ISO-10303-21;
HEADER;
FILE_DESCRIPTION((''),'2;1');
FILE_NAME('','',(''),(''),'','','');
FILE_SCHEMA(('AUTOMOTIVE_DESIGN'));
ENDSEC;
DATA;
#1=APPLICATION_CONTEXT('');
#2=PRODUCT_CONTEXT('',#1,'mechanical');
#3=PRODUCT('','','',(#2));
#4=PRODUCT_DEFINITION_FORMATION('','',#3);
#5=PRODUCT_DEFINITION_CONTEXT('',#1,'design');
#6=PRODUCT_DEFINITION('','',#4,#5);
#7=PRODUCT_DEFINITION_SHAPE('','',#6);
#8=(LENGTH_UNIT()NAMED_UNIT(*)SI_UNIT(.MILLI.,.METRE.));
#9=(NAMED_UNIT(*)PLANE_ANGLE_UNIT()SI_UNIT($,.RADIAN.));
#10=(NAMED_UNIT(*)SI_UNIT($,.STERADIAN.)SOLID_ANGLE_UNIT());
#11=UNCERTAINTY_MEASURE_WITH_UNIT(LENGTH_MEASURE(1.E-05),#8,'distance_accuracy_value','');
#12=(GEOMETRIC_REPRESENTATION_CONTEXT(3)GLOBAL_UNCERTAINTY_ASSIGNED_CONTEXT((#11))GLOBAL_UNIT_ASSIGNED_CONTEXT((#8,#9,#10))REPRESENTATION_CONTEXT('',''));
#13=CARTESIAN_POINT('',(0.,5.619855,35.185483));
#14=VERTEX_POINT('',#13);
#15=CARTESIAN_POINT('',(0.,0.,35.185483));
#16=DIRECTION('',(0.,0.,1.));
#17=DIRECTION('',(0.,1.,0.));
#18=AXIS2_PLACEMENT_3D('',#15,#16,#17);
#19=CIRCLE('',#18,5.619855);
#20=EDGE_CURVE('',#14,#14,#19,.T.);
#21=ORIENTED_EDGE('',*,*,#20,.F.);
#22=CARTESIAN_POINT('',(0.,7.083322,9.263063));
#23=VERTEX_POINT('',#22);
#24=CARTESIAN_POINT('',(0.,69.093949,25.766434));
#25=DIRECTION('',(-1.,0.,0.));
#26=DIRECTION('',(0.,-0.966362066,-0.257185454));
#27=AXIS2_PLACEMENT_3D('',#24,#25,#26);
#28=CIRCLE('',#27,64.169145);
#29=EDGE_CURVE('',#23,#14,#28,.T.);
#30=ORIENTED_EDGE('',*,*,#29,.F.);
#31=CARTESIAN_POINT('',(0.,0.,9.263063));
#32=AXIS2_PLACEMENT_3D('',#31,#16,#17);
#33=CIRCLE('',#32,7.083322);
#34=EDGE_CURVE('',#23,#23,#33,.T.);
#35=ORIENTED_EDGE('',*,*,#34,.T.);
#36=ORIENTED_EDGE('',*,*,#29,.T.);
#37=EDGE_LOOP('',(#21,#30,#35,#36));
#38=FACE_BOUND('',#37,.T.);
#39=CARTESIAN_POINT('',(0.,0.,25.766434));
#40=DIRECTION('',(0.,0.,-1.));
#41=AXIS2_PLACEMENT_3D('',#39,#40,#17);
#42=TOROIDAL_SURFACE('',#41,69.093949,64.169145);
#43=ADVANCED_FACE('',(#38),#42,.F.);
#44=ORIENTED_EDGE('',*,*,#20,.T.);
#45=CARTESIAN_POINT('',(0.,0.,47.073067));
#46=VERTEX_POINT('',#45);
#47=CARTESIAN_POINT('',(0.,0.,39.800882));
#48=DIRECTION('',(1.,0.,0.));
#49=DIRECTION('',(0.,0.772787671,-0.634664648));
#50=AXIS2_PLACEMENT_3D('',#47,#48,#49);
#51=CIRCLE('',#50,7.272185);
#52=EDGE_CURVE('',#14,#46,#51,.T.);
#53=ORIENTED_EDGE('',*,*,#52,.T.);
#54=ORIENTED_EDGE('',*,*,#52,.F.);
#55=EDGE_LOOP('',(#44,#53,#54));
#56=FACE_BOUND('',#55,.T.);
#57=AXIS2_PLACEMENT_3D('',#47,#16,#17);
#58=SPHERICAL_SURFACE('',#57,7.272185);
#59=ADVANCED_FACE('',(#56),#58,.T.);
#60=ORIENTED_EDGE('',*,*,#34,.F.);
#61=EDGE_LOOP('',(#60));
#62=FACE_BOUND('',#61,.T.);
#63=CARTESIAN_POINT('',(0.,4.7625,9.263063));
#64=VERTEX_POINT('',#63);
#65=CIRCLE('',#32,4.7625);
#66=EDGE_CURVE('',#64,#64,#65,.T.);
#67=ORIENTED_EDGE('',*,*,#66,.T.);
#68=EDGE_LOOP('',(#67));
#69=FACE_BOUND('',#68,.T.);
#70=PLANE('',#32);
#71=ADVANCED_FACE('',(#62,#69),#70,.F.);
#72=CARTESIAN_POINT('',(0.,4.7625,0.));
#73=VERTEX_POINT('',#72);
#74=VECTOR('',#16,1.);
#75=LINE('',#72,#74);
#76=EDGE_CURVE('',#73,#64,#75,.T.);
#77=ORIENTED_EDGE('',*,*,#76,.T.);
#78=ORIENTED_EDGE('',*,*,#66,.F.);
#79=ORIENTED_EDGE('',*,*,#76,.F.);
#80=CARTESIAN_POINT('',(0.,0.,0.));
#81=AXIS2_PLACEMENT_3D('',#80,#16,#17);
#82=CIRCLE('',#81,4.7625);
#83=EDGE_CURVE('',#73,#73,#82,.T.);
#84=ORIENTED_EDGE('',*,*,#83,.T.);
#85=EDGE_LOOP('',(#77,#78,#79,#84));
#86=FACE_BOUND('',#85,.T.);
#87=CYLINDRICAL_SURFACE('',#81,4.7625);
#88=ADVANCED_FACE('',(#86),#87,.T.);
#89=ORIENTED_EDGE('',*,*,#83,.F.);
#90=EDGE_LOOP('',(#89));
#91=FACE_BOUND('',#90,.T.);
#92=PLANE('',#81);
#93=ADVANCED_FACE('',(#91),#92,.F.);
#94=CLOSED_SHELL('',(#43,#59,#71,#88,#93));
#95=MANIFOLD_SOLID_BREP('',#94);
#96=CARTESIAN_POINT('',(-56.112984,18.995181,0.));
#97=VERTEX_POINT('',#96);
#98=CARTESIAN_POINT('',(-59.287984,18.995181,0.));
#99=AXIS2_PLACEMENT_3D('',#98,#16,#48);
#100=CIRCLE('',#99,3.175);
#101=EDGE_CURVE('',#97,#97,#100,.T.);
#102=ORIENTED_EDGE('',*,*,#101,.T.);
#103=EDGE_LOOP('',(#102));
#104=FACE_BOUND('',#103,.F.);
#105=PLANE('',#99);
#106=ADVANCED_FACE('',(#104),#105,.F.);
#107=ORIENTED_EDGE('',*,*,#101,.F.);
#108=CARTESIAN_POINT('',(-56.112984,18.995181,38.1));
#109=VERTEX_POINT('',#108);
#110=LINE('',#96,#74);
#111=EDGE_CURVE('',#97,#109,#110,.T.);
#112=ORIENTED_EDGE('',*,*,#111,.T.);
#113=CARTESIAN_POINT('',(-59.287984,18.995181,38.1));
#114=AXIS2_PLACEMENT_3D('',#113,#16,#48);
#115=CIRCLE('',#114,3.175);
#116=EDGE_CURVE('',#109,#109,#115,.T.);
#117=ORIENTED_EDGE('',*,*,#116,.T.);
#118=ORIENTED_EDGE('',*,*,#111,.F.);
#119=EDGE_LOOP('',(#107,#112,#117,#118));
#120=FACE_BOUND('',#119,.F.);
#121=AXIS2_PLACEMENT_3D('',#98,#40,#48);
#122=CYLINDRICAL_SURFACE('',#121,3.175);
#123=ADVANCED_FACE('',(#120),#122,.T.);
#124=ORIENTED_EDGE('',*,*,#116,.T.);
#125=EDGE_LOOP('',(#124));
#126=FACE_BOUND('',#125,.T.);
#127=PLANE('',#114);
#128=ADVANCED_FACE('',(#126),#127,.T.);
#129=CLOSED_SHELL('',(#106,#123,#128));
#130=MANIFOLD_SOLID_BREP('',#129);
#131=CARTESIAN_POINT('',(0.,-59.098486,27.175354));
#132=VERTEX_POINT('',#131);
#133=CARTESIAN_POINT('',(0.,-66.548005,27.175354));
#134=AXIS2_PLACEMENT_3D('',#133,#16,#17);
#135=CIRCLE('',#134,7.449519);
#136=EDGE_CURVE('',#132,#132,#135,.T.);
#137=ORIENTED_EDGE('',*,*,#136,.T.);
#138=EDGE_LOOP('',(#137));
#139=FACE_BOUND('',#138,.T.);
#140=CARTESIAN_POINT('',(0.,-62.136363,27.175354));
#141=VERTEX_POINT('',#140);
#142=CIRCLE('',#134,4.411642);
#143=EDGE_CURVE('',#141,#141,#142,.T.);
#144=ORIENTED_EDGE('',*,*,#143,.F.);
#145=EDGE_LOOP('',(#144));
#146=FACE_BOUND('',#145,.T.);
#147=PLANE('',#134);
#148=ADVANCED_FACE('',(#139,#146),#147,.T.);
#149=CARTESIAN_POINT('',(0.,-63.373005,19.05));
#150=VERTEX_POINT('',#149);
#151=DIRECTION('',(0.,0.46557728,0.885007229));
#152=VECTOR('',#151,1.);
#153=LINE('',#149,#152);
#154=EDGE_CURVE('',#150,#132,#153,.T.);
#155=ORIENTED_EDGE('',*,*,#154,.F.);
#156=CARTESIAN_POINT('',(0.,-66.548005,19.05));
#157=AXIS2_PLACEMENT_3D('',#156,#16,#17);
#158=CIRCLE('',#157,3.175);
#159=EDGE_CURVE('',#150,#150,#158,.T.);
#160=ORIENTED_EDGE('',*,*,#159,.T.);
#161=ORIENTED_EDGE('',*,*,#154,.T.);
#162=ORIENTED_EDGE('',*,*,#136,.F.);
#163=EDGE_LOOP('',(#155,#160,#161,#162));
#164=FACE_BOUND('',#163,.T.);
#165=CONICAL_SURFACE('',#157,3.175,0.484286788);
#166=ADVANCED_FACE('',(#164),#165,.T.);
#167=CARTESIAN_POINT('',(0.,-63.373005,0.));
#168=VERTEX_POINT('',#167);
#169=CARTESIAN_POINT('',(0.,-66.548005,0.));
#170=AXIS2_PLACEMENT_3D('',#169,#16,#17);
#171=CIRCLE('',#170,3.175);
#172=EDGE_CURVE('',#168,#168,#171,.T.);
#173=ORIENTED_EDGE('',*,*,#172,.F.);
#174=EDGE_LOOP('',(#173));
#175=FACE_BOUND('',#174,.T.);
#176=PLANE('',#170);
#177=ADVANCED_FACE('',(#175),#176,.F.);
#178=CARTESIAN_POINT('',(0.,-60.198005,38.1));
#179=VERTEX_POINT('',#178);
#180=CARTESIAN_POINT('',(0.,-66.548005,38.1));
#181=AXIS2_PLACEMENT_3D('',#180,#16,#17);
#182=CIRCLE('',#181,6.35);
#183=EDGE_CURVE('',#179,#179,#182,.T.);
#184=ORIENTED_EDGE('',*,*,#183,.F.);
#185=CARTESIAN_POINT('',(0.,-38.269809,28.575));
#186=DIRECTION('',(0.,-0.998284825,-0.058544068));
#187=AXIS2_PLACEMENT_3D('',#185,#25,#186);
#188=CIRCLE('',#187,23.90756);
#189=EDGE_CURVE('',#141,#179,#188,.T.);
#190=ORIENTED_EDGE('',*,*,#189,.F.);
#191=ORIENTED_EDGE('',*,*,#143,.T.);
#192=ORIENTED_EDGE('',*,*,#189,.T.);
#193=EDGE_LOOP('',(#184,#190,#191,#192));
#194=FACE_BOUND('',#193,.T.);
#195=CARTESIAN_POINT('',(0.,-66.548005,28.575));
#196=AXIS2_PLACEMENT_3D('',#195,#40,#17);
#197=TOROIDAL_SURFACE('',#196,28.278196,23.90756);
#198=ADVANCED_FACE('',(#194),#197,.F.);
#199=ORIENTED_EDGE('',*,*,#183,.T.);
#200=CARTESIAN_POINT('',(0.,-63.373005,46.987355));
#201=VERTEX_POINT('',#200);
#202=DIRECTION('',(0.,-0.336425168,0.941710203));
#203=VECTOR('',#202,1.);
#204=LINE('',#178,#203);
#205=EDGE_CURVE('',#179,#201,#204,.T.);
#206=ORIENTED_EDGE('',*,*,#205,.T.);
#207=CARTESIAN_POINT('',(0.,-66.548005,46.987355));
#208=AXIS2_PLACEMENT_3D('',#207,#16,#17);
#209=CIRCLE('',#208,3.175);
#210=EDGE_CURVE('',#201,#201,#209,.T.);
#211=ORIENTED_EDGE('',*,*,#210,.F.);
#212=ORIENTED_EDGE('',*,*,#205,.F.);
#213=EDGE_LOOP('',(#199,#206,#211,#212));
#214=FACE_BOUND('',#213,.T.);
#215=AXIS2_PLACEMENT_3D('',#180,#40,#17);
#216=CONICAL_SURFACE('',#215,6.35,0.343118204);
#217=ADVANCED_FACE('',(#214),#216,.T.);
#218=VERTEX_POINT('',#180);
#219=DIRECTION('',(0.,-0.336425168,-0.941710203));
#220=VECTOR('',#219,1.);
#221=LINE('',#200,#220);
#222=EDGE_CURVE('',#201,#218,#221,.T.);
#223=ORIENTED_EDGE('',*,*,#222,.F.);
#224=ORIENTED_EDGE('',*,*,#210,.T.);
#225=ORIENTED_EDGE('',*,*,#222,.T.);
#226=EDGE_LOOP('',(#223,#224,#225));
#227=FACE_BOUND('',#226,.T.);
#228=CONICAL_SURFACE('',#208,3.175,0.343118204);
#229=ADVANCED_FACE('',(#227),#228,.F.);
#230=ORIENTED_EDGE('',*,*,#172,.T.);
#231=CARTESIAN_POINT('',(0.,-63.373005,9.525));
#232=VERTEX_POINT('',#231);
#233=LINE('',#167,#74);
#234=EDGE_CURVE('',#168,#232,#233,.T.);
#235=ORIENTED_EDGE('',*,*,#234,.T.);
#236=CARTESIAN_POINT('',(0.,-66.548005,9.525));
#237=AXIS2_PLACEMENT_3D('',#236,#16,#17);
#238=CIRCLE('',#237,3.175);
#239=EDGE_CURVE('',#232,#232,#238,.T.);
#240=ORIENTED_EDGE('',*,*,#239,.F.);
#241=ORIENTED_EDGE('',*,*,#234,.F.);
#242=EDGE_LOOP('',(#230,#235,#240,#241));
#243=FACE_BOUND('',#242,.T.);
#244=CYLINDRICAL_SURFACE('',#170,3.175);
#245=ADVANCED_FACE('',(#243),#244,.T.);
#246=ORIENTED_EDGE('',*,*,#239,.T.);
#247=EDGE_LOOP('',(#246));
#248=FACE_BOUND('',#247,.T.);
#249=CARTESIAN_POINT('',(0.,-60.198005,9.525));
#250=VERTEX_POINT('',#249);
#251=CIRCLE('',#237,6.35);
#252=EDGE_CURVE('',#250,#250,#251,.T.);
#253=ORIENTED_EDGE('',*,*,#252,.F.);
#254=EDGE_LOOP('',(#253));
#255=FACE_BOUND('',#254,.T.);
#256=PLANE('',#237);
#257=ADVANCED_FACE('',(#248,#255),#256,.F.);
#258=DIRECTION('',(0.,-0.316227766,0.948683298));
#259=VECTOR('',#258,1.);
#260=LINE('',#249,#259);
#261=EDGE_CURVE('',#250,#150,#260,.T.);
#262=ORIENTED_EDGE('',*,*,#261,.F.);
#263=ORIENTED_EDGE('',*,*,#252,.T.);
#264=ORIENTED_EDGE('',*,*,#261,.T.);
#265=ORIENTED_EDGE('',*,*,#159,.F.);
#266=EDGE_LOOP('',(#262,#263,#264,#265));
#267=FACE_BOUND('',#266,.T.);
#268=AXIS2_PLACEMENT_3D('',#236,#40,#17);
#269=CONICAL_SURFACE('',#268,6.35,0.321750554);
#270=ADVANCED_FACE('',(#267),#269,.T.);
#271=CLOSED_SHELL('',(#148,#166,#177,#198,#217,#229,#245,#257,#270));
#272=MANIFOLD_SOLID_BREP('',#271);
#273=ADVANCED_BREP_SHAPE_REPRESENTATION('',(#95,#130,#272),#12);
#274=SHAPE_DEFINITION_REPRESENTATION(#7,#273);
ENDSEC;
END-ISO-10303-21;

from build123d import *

# Parameters (mm, degrees)
F0_R     = 3.175
F1_DEPTH = 38.1


with BuildPart() as f1:
    # F0 (on Top) → F1 (new body)
    with BuildSketch(Plane.XY):
        with Locations((-59.287984, 18.995181)):
            Circle(F0_R)
    extrude(amount=F1_DEPTH)


with BuildPart() as f3:
    # F2 (on Right) → F3 (revolve)
    with BuildSketch(Plane.YZ):
        with BuildLine():
            Line((0, 47.073067), (0, 0))
            Line((0, 0), (4.7625, 0))
            Line((4.7625, 0), (4.7625, 9.263063))
            Line((4.7625, 9.263063), (7.083322, 9.263063))
            ThreePointArc((7.083322, 9.263063), (5.026822, 22.149482), (5.619855, 35.185483))
            ThreePointArc((5.619855, 35.185483), (6.574523, 42.908988), (0, 47.073067))
        make_face()
    revolve(axis=Axis((0, 0, 23.536534), (0, 0, 1)))


with BuildPart() as f5:
    # F4 (on Right) → F5 (revolve)
    with BuildSketch(Plane.YZ):
        with BuildLine():
            Line((-66.548005, 38.1), (-66.548005, 0))
            Line((-66.548005, 0), (-63.373005, 0))
            Line((-63.373005, 0), (-63.373005, 9.525))
            Line((-63.373005, 9.525), (-60.198005, 9.525))
            Line((-60.198005, 9.525), (-63.373005, 19.05))
            Line((-63.373005, 19.05), (-59.098486, 27.175354))
            Line((-59.098486, 27.175354), (-62.136363, 27.175354))
            ThreePointArc((-62.136363, 27.175354), (-61.809706, 32.75168), (-60.198005, 38.1))
            Line((-60.198005, 38.1), (-63.373005, 46.987355))
            Line((-63.373005, 46.987355), (-66.548005, 38.1))
        make_face()
    revolve(axis=Axis((0, -66.548005, 19.05), (0, 0, 1)))


solid = Compound([f1.part, f3.part, f5.part])
